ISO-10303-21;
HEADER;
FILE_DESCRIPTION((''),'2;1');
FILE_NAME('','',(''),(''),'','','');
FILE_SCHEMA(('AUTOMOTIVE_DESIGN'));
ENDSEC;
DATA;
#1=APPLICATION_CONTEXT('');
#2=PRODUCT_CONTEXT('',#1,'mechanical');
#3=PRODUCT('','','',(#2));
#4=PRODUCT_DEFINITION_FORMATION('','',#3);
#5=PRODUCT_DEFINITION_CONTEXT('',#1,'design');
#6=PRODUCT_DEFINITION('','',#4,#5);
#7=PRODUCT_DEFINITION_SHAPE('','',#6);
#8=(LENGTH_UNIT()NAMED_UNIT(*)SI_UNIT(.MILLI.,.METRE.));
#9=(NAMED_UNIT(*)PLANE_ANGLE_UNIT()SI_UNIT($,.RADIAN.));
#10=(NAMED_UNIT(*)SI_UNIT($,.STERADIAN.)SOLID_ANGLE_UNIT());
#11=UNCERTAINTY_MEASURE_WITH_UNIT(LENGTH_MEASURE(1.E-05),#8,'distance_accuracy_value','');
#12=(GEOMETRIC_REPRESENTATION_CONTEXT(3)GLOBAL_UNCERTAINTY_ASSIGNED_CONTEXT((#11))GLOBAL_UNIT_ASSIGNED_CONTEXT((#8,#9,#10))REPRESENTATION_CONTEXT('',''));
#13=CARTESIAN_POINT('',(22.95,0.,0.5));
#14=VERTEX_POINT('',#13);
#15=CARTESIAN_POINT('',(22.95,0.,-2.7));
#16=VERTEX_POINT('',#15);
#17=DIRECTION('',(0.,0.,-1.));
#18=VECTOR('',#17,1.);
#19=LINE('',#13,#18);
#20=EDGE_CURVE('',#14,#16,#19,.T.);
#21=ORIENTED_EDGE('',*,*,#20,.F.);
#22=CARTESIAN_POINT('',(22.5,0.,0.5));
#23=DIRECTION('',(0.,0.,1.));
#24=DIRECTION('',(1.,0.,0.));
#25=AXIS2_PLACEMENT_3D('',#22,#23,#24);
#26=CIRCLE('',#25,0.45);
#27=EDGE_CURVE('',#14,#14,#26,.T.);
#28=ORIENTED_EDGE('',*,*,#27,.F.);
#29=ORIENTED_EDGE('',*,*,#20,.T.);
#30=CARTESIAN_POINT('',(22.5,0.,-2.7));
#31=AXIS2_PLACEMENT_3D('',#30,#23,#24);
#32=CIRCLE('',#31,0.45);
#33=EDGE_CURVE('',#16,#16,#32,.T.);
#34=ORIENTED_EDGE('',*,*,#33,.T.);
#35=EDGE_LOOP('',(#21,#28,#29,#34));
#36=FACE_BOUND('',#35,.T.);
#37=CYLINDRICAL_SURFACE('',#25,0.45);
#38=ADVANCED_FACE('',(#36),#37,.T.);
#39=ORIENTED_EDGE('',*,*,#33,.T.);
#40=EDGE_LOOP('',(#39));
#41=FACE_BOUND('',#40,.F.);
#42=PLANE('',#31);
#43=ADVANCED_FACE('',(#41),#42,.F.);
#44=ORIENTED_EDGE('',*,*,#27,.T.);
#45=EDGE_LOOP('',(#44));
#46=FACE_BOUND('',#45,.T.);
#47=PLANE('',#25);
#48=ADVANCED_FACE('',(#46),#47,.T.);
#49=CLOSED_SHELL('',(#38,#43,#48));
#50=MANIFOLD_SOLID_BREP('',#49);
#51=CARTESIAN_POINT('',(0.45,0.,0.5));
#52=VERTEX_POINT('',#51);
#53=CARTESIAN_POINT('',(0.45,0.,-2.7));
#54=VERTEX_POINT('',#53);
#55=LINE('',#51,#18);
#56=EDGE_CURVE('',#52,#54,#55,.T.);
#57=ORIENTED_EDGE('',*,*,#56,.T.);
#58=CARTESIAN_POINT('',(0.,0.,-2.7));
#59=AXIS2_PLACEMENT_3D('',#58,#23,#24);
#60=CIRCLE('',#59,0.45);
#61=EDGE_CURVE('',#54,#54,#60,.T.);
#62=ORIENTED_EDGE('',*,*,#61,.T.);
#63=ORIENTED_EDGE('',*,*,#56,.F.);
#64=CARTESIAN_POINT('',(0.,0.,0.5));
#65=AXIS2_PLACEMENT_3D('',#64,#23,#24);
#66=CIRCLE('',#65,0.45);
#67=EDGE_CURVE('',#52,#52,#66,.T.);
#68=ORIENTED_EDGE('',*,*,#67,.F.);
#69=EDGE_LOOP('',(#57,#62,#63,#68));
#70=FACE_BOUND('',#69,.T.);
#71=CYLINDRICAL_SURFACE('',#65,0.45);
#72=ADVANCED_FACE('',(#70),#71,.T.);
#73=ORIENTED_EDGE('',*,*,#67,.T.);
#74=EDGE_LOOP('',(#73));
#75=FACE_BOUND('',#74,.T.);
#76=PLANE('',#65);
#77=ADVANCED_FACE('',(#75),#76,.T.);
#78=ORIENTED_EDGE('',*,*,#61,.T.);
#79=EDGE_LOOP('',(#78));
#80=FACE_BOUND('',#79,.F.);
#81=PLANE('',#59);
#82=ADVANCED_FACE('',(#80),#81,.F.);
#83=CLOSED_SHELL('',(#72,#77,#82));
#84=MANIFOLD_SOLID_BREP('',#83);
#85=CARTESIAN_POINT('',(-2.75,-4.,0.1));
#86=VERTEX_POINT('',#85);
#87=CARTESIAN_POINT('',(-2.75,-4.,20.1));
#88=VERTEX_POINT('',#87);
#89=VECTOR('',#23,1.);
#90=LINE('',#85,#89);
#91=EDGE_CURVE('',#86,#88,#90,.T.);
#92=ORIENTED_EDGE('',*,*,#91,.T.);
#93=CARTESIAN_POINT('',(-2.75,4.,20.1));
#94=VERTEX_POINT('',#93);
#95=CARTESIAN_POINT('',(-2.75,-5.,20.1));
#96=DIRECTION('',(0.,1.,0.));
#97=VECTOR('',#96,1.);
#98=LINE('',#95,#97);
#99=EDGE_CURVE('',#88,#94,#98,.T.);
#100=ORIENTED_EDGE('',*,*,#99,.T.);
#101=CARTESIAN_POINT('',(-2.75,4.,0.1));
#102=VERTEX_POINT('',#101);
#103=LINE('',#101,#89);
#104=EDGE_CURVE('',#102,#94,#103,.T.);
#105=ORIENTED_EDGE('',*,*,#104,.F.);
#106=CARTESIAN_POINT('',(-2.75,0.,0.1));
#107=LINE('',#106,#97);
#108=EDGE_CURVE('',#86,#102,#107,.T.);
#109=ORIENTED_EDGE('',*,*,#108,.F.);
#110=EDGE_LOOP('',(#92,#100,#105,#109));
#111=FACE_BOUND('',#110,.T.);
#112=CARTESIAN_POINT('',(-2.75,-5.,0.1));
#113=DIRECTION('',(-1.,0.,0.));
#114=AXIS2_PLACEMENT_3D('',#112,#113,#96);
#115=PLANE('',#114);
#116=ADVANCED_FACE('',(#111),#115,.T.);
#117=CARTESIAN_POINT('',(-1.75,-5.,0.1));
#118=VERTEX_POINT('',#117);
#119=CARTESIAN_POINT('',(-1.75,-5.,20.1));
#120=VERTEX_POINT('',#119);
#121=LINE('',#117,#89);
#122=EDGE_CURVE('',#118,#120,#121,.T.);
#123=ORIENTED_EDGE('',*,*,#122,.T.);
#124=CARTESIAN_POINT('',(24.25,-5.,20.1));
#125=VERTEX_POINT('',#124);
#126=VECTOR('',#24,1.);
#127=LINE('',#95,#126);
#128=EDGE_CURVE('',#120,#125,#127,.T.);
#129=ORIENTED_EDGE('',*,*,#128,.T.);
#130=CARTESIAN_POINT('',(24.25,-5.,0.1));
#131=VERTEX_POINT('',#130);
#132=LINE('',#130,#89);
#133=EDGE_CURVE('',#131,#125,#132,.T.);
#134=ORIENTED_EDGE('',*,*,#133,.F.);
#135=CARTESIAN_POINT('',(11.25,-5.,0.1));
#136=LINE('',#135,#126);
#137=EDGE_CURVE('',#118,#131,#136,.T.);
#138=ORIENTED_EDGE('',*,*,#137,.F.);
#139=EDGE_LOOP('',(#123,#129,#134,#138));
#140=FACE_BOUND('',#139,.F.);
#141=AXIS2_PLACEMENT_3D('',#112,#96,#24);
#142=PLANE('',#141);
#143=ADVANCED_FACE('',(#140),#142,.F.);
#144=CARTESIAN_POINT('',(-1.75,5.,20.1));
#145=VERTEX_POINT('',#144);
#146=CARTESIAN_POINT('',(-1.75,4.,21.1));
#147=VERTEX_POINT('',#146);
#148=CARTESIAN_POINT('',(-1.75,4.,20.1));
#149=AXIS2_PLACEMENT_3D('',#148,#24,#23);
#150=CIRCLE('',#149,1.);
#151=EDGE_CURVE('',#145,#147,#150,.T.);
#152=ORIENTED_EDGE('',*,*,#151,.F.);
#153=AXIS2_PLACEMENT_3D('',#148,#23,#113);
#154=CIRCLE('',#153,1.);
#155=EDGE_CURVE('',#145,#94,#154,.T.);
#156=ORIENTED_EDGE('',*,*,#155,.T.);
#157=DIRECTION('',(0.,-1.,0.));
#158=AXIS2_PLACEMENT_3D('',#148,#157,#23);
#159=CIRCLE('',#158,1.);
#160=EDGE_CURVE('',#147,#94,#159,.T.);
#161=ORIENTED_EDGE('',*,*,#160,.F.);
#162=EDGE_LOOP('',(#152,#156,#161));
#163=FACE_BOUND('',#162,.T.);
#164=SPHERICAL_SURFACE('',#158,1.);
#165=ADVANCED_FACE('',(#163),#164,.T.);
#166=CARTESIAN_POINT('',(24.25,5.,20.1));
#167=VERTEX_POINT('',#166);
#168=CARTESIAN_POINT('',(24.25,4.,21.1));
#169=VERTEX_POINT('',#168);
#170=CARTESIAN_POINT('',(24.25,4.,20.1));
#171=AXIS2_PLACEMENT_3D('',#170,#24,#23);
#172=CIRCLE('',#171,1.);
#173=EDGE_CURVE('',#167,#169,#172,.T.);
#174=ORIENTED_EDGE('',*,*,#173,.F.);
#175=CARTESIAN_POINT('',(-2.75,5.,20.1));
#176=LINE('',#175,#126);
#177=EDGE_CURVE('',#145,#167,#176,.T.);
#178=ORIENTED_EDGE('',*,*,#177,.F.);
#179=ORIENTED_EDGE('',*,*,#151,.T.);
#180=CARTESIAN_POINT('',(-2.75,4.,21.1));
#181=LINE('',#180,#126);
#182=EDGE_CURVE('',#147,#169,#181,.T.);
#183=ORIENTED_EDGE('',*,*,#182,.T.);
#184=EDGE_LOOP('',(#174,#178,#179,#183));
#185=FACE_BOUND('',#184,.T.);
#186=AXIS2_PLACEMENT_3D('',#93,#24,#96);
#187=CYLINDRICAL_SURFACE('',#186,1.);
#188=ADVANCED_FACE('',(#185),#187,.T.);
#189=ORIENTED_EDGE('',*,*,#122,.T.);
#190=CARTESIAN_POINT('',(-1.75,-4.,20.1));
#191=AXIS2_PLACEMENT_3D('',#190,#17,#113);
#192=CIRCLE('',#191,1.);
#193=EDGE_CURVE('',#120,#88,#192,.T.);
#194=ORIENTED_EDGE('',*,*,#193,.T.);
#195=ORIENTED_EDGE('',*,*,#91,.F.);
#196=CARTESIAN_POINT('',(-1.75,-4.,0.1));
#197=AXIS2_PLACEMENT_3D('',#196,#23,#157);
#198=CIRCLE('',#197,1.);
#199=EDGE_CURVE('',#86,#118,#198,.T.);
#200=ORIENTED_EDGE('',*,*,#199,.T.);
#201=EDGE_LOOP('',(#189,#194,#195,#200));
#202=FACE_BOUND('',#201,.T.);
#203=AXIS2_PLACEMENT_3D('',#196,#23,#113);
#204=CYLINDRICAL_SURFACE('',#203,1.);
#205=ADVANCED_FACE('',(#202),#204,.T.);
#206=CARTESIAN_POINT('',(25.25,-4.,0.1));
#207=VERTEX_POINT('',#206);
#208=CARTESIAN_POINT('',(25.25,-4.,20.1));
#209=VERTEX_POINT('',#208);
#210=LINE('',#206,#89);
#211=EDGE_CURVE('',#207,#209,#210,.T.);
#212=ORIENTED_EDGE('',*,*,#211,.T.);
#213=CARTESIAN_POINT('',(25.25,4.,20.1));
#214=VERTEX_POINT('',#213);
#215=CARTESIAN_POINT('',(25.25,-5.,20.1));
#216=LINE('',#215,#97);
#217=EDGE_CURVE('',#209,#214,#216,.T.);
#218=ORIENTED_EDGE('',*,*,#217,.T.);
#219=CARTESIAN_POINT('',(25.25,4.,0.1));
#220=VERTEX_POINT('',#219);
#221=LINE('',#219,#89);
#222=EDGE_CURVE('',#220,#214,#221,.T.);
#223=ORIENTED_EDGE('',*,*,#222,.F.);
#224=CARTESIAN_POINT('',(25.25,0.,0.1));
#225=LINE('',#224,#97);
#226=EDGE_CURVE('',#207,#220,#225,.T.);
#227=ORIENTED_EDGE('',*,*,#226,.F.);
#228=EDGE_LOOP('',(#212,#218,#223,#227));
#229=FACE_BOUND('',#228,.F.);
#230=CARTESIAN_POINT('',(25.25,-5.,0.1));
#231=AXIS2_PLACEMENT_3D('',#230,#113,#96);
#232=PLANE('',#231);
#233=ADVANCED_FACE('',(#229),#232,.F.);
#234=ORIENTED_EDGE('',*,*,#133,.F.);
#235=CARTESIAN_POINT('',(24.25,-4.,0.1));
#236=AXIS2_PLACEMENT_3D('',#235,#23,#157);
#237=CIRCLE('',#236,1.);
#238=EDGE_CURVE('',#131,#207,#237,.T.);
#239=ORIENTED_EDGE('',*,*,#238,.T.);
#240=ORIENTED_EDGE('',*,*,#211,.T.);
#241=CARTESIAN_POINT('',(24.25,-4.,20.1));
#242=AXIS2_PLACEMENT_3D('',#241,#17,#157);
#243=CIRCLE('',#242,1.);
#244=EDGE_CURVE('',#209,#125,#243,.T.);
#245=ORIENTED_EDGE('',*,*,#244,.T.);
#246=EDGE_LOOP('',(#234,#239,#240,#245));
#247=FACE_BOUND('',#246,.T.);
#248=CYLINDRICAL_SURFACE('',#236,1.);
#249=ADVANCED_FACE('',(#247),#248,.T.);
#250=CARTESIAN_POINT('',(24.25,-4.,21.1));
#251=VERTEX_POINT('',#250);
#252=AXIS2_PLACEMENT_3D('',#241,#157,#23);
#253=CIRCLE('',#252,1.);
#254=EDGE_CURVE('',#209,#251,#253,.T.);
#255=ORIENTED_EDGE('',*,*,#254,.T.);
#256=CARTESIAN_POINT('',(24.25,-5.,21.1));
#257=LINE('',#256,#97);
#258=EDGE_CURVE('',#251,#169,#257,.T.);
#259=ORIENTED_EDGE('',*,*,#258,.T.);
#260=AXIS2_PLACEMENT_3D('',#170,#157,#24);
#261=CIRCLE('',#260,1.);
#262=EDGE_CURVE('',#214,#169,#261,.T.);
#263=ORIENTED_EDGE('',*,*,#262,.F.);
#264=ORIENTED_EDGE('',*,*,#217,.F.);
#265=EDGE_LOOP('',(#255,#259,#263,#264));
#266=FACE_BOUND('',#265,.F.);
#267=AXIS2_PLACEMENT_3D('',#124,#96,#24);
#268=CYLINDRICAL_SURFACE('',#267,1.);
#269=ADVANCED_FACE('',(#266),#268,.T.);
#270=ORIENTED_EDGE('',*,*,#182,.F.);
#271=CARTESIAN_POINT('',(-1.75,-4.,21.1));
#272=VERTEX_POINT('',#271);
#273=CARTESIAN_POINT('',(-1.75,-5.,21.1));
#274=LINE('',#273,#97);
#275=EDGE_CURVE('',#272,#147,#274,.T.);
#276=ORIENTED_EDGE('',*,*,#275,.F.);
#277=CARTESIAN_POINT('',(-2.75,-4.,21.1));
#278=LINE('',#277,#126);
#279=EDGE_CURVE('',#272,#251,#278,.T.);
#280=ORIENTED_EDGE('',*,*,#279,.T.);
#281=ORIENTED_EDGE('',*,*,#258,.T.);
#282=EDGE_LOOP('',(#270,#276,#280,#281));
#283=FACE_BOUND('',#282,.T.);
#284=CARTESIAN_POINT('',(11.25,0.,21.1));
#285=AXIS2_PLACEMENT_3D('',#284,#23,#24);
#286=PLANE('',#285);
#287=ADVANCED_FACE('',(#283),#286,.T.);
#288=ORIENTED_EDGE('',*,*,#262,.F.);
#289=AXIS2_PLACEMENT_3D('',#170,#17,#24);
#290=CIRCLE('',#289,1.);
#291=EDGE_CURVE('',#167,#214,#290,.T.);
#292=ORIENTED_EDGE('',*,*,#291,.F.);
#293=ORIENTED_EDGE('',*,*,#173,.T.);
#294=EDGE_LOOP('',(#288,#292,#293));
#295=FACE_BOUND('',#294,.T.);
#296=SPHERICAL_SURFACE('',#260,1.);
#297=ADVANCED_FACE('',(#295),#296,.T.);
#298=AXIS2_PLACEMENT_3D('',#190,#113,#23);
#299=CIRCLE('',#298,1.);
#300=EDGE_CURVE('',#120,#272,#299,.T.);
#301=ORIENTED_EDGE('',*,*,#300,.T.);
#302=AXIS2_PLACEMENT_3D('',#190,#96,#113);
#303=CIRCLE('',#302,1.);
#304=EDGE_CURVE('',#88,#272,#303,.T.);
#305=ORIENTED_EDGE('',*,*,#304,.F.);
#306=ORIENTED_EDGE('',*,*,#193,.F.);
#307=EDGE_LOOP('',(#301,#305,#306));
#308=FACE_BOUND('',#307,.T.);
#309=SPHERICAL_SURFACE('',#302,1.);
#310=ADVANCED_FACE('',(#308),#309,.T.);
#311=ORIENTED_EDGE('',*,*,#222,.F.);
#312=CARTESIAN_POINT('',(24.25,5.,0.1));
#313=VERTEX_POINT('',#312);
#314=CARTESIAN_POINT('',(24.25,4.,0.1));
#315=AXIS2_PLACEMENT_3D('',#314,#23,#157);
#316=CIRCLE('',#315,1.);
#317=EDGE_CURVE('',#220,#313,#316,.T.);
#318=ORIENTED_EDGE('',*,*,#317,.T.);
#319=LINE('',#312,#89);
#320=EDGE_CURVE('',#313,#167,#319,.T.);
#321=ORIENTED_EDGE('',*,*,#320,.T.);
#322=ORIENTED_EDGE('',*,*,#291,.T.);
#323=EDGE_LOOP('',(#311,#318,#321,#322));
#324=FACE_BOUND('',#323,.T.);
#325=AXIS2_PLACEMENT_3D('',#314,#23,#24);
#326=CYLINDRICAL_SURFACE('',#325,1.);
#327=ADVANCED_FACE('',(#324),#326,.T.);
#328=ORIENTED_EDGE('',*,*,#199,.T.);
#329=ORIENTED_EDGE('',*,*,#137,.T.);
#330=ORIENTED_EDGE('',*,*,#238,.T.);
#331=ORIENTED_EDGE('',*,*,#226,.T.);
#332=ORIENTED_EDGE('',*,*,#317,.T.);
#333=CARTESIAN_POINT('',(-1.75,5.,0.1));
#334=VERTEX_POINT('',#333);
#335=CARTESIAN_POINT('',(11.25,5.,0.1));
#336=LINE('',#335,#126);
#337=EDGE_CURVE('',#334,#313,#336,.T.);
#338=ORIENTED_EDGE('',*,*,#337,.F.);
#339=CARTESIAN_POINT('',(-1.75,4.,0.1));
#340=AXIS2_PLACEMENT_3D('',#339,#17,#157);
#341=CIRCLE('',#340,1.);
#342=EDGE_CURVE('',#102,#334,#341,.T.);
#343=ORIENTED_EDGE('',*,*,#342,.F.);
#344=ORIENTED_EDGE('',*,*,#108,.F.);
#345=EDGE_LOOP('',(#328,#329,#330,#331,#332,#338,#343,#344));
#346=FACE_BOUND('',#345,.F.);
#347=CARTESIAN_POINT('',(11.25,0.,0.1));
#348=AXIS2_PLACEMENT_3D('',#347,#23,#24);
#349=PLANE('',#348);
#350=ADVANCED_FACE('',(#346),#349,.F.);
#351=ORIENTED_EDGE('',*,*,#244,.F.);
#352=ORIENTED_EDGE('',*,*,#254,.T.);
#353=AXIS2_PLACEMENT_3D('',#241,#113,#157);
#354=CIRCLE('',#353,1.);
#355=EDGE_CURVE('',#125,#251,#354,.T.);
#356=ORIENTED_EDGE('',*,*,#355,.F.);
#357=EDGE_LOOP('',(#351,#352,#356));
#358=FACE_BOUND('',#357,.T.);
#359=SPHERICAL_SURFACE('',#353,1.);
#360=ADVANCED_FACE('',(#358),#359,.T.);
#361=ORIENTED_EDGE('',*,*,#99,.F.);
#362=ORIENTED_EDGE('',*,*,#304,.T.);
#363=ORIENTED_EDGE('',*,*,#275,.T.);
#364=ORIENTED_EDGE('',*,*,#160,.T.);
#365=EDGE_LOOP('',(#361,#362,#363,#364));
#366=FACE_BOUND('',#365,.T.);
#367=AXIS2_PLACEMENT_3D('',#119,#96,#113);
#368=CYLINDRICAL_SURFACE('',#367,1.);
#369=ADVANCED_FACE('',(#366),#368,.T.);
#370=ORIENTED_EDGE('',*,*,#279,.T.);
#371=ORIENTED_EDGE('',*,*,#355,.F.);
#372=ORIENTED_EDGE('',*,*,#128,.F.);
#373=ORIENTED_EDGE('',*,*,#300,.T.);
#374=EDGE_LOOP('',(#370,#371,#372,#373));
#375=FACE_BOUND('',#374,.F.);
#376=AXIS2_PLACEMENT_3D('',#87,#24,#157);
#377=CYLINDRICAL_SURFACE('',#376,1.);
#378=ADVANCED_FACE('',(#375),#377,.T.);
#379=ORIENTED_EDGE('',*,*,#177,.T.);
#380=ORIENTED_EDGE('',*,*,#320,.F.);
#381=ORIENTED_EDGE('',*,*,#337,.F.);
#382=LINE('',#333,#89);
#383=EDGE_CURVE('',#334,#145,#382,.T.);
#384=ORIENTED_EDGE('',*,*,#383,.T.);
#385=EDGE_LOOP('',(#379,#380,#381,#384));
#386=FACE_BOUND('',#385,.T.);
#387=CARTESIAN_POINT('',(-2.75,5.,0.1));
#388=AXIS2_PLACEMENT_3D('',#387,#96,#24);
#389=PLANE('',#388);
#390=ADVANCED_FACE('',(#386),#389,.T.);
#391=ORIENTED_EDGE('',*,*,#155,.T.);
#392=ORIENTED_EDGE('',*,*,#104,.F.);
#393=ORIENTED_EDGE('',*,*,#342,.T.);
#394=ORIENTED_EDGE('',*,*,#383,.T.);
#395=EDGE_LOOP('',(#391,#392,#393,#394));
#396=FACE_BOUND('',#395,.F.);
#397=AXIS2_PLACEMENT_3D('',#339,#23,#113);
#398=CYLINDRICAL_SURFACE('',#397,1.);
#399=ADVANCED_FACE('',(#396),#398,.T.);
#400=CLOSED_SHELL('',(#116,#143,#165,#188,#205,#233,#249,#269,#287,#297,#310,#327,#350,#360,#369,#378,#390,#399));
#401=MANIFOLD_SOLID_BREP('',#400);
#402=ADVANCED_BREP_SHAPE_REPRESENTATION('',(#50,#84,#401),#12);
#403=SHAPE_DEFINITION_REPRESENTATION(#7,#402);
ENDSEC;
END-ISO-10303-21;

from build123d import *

# Parameters (mm, degrees)
SKETCH_W     = 28
SKETCH_H     = 10
PAD_DEPTH    = 21
FILLET_R     = 1
SKETCH001_R  = 0.45
PAD001_DEPTH = 3.2


with BuildPart() as fillet_body:
    # Sketch → Pad (new body)
    with BuildSketch(Plane.XY.offset(0.1)):
        with Locations((11.25, 0)):
            Rectangle(SKETCH_W, SKETCH_H)
    extrude(amount=PAD_DEPTH)

    # Fillet
    fillet_edges = [fillet_body.edges().sort_by_distance(p)[0] for p in [
        (-2.75, 0, 21.1),
        (-2.75, -5, 10.6),
        (11.25, -5, 21.1),
        (25.25, -5, 10.6),
        (25.25, 0, 21.1),
        (25.25, 5, 10.6),
        (11.25, 5, 21.1),
        (-2.75, 5, 10.6),
    ]]
    fillet(fillet_edges, radius=FILLET_R)


with BuildPart() as pad001:
    # Sketch001 → Pad001 (new body)
    with BuildSketch(Plane.XY.offset(0.5)):
        Circle(SKETCH001_R)
        with Locations((22.5, 0)):
            Circle(SKETCH001_R)
    extrude(amount=-PAD001_DEPTH)


solid = Compound([fillet_body.part, pad001.part])
